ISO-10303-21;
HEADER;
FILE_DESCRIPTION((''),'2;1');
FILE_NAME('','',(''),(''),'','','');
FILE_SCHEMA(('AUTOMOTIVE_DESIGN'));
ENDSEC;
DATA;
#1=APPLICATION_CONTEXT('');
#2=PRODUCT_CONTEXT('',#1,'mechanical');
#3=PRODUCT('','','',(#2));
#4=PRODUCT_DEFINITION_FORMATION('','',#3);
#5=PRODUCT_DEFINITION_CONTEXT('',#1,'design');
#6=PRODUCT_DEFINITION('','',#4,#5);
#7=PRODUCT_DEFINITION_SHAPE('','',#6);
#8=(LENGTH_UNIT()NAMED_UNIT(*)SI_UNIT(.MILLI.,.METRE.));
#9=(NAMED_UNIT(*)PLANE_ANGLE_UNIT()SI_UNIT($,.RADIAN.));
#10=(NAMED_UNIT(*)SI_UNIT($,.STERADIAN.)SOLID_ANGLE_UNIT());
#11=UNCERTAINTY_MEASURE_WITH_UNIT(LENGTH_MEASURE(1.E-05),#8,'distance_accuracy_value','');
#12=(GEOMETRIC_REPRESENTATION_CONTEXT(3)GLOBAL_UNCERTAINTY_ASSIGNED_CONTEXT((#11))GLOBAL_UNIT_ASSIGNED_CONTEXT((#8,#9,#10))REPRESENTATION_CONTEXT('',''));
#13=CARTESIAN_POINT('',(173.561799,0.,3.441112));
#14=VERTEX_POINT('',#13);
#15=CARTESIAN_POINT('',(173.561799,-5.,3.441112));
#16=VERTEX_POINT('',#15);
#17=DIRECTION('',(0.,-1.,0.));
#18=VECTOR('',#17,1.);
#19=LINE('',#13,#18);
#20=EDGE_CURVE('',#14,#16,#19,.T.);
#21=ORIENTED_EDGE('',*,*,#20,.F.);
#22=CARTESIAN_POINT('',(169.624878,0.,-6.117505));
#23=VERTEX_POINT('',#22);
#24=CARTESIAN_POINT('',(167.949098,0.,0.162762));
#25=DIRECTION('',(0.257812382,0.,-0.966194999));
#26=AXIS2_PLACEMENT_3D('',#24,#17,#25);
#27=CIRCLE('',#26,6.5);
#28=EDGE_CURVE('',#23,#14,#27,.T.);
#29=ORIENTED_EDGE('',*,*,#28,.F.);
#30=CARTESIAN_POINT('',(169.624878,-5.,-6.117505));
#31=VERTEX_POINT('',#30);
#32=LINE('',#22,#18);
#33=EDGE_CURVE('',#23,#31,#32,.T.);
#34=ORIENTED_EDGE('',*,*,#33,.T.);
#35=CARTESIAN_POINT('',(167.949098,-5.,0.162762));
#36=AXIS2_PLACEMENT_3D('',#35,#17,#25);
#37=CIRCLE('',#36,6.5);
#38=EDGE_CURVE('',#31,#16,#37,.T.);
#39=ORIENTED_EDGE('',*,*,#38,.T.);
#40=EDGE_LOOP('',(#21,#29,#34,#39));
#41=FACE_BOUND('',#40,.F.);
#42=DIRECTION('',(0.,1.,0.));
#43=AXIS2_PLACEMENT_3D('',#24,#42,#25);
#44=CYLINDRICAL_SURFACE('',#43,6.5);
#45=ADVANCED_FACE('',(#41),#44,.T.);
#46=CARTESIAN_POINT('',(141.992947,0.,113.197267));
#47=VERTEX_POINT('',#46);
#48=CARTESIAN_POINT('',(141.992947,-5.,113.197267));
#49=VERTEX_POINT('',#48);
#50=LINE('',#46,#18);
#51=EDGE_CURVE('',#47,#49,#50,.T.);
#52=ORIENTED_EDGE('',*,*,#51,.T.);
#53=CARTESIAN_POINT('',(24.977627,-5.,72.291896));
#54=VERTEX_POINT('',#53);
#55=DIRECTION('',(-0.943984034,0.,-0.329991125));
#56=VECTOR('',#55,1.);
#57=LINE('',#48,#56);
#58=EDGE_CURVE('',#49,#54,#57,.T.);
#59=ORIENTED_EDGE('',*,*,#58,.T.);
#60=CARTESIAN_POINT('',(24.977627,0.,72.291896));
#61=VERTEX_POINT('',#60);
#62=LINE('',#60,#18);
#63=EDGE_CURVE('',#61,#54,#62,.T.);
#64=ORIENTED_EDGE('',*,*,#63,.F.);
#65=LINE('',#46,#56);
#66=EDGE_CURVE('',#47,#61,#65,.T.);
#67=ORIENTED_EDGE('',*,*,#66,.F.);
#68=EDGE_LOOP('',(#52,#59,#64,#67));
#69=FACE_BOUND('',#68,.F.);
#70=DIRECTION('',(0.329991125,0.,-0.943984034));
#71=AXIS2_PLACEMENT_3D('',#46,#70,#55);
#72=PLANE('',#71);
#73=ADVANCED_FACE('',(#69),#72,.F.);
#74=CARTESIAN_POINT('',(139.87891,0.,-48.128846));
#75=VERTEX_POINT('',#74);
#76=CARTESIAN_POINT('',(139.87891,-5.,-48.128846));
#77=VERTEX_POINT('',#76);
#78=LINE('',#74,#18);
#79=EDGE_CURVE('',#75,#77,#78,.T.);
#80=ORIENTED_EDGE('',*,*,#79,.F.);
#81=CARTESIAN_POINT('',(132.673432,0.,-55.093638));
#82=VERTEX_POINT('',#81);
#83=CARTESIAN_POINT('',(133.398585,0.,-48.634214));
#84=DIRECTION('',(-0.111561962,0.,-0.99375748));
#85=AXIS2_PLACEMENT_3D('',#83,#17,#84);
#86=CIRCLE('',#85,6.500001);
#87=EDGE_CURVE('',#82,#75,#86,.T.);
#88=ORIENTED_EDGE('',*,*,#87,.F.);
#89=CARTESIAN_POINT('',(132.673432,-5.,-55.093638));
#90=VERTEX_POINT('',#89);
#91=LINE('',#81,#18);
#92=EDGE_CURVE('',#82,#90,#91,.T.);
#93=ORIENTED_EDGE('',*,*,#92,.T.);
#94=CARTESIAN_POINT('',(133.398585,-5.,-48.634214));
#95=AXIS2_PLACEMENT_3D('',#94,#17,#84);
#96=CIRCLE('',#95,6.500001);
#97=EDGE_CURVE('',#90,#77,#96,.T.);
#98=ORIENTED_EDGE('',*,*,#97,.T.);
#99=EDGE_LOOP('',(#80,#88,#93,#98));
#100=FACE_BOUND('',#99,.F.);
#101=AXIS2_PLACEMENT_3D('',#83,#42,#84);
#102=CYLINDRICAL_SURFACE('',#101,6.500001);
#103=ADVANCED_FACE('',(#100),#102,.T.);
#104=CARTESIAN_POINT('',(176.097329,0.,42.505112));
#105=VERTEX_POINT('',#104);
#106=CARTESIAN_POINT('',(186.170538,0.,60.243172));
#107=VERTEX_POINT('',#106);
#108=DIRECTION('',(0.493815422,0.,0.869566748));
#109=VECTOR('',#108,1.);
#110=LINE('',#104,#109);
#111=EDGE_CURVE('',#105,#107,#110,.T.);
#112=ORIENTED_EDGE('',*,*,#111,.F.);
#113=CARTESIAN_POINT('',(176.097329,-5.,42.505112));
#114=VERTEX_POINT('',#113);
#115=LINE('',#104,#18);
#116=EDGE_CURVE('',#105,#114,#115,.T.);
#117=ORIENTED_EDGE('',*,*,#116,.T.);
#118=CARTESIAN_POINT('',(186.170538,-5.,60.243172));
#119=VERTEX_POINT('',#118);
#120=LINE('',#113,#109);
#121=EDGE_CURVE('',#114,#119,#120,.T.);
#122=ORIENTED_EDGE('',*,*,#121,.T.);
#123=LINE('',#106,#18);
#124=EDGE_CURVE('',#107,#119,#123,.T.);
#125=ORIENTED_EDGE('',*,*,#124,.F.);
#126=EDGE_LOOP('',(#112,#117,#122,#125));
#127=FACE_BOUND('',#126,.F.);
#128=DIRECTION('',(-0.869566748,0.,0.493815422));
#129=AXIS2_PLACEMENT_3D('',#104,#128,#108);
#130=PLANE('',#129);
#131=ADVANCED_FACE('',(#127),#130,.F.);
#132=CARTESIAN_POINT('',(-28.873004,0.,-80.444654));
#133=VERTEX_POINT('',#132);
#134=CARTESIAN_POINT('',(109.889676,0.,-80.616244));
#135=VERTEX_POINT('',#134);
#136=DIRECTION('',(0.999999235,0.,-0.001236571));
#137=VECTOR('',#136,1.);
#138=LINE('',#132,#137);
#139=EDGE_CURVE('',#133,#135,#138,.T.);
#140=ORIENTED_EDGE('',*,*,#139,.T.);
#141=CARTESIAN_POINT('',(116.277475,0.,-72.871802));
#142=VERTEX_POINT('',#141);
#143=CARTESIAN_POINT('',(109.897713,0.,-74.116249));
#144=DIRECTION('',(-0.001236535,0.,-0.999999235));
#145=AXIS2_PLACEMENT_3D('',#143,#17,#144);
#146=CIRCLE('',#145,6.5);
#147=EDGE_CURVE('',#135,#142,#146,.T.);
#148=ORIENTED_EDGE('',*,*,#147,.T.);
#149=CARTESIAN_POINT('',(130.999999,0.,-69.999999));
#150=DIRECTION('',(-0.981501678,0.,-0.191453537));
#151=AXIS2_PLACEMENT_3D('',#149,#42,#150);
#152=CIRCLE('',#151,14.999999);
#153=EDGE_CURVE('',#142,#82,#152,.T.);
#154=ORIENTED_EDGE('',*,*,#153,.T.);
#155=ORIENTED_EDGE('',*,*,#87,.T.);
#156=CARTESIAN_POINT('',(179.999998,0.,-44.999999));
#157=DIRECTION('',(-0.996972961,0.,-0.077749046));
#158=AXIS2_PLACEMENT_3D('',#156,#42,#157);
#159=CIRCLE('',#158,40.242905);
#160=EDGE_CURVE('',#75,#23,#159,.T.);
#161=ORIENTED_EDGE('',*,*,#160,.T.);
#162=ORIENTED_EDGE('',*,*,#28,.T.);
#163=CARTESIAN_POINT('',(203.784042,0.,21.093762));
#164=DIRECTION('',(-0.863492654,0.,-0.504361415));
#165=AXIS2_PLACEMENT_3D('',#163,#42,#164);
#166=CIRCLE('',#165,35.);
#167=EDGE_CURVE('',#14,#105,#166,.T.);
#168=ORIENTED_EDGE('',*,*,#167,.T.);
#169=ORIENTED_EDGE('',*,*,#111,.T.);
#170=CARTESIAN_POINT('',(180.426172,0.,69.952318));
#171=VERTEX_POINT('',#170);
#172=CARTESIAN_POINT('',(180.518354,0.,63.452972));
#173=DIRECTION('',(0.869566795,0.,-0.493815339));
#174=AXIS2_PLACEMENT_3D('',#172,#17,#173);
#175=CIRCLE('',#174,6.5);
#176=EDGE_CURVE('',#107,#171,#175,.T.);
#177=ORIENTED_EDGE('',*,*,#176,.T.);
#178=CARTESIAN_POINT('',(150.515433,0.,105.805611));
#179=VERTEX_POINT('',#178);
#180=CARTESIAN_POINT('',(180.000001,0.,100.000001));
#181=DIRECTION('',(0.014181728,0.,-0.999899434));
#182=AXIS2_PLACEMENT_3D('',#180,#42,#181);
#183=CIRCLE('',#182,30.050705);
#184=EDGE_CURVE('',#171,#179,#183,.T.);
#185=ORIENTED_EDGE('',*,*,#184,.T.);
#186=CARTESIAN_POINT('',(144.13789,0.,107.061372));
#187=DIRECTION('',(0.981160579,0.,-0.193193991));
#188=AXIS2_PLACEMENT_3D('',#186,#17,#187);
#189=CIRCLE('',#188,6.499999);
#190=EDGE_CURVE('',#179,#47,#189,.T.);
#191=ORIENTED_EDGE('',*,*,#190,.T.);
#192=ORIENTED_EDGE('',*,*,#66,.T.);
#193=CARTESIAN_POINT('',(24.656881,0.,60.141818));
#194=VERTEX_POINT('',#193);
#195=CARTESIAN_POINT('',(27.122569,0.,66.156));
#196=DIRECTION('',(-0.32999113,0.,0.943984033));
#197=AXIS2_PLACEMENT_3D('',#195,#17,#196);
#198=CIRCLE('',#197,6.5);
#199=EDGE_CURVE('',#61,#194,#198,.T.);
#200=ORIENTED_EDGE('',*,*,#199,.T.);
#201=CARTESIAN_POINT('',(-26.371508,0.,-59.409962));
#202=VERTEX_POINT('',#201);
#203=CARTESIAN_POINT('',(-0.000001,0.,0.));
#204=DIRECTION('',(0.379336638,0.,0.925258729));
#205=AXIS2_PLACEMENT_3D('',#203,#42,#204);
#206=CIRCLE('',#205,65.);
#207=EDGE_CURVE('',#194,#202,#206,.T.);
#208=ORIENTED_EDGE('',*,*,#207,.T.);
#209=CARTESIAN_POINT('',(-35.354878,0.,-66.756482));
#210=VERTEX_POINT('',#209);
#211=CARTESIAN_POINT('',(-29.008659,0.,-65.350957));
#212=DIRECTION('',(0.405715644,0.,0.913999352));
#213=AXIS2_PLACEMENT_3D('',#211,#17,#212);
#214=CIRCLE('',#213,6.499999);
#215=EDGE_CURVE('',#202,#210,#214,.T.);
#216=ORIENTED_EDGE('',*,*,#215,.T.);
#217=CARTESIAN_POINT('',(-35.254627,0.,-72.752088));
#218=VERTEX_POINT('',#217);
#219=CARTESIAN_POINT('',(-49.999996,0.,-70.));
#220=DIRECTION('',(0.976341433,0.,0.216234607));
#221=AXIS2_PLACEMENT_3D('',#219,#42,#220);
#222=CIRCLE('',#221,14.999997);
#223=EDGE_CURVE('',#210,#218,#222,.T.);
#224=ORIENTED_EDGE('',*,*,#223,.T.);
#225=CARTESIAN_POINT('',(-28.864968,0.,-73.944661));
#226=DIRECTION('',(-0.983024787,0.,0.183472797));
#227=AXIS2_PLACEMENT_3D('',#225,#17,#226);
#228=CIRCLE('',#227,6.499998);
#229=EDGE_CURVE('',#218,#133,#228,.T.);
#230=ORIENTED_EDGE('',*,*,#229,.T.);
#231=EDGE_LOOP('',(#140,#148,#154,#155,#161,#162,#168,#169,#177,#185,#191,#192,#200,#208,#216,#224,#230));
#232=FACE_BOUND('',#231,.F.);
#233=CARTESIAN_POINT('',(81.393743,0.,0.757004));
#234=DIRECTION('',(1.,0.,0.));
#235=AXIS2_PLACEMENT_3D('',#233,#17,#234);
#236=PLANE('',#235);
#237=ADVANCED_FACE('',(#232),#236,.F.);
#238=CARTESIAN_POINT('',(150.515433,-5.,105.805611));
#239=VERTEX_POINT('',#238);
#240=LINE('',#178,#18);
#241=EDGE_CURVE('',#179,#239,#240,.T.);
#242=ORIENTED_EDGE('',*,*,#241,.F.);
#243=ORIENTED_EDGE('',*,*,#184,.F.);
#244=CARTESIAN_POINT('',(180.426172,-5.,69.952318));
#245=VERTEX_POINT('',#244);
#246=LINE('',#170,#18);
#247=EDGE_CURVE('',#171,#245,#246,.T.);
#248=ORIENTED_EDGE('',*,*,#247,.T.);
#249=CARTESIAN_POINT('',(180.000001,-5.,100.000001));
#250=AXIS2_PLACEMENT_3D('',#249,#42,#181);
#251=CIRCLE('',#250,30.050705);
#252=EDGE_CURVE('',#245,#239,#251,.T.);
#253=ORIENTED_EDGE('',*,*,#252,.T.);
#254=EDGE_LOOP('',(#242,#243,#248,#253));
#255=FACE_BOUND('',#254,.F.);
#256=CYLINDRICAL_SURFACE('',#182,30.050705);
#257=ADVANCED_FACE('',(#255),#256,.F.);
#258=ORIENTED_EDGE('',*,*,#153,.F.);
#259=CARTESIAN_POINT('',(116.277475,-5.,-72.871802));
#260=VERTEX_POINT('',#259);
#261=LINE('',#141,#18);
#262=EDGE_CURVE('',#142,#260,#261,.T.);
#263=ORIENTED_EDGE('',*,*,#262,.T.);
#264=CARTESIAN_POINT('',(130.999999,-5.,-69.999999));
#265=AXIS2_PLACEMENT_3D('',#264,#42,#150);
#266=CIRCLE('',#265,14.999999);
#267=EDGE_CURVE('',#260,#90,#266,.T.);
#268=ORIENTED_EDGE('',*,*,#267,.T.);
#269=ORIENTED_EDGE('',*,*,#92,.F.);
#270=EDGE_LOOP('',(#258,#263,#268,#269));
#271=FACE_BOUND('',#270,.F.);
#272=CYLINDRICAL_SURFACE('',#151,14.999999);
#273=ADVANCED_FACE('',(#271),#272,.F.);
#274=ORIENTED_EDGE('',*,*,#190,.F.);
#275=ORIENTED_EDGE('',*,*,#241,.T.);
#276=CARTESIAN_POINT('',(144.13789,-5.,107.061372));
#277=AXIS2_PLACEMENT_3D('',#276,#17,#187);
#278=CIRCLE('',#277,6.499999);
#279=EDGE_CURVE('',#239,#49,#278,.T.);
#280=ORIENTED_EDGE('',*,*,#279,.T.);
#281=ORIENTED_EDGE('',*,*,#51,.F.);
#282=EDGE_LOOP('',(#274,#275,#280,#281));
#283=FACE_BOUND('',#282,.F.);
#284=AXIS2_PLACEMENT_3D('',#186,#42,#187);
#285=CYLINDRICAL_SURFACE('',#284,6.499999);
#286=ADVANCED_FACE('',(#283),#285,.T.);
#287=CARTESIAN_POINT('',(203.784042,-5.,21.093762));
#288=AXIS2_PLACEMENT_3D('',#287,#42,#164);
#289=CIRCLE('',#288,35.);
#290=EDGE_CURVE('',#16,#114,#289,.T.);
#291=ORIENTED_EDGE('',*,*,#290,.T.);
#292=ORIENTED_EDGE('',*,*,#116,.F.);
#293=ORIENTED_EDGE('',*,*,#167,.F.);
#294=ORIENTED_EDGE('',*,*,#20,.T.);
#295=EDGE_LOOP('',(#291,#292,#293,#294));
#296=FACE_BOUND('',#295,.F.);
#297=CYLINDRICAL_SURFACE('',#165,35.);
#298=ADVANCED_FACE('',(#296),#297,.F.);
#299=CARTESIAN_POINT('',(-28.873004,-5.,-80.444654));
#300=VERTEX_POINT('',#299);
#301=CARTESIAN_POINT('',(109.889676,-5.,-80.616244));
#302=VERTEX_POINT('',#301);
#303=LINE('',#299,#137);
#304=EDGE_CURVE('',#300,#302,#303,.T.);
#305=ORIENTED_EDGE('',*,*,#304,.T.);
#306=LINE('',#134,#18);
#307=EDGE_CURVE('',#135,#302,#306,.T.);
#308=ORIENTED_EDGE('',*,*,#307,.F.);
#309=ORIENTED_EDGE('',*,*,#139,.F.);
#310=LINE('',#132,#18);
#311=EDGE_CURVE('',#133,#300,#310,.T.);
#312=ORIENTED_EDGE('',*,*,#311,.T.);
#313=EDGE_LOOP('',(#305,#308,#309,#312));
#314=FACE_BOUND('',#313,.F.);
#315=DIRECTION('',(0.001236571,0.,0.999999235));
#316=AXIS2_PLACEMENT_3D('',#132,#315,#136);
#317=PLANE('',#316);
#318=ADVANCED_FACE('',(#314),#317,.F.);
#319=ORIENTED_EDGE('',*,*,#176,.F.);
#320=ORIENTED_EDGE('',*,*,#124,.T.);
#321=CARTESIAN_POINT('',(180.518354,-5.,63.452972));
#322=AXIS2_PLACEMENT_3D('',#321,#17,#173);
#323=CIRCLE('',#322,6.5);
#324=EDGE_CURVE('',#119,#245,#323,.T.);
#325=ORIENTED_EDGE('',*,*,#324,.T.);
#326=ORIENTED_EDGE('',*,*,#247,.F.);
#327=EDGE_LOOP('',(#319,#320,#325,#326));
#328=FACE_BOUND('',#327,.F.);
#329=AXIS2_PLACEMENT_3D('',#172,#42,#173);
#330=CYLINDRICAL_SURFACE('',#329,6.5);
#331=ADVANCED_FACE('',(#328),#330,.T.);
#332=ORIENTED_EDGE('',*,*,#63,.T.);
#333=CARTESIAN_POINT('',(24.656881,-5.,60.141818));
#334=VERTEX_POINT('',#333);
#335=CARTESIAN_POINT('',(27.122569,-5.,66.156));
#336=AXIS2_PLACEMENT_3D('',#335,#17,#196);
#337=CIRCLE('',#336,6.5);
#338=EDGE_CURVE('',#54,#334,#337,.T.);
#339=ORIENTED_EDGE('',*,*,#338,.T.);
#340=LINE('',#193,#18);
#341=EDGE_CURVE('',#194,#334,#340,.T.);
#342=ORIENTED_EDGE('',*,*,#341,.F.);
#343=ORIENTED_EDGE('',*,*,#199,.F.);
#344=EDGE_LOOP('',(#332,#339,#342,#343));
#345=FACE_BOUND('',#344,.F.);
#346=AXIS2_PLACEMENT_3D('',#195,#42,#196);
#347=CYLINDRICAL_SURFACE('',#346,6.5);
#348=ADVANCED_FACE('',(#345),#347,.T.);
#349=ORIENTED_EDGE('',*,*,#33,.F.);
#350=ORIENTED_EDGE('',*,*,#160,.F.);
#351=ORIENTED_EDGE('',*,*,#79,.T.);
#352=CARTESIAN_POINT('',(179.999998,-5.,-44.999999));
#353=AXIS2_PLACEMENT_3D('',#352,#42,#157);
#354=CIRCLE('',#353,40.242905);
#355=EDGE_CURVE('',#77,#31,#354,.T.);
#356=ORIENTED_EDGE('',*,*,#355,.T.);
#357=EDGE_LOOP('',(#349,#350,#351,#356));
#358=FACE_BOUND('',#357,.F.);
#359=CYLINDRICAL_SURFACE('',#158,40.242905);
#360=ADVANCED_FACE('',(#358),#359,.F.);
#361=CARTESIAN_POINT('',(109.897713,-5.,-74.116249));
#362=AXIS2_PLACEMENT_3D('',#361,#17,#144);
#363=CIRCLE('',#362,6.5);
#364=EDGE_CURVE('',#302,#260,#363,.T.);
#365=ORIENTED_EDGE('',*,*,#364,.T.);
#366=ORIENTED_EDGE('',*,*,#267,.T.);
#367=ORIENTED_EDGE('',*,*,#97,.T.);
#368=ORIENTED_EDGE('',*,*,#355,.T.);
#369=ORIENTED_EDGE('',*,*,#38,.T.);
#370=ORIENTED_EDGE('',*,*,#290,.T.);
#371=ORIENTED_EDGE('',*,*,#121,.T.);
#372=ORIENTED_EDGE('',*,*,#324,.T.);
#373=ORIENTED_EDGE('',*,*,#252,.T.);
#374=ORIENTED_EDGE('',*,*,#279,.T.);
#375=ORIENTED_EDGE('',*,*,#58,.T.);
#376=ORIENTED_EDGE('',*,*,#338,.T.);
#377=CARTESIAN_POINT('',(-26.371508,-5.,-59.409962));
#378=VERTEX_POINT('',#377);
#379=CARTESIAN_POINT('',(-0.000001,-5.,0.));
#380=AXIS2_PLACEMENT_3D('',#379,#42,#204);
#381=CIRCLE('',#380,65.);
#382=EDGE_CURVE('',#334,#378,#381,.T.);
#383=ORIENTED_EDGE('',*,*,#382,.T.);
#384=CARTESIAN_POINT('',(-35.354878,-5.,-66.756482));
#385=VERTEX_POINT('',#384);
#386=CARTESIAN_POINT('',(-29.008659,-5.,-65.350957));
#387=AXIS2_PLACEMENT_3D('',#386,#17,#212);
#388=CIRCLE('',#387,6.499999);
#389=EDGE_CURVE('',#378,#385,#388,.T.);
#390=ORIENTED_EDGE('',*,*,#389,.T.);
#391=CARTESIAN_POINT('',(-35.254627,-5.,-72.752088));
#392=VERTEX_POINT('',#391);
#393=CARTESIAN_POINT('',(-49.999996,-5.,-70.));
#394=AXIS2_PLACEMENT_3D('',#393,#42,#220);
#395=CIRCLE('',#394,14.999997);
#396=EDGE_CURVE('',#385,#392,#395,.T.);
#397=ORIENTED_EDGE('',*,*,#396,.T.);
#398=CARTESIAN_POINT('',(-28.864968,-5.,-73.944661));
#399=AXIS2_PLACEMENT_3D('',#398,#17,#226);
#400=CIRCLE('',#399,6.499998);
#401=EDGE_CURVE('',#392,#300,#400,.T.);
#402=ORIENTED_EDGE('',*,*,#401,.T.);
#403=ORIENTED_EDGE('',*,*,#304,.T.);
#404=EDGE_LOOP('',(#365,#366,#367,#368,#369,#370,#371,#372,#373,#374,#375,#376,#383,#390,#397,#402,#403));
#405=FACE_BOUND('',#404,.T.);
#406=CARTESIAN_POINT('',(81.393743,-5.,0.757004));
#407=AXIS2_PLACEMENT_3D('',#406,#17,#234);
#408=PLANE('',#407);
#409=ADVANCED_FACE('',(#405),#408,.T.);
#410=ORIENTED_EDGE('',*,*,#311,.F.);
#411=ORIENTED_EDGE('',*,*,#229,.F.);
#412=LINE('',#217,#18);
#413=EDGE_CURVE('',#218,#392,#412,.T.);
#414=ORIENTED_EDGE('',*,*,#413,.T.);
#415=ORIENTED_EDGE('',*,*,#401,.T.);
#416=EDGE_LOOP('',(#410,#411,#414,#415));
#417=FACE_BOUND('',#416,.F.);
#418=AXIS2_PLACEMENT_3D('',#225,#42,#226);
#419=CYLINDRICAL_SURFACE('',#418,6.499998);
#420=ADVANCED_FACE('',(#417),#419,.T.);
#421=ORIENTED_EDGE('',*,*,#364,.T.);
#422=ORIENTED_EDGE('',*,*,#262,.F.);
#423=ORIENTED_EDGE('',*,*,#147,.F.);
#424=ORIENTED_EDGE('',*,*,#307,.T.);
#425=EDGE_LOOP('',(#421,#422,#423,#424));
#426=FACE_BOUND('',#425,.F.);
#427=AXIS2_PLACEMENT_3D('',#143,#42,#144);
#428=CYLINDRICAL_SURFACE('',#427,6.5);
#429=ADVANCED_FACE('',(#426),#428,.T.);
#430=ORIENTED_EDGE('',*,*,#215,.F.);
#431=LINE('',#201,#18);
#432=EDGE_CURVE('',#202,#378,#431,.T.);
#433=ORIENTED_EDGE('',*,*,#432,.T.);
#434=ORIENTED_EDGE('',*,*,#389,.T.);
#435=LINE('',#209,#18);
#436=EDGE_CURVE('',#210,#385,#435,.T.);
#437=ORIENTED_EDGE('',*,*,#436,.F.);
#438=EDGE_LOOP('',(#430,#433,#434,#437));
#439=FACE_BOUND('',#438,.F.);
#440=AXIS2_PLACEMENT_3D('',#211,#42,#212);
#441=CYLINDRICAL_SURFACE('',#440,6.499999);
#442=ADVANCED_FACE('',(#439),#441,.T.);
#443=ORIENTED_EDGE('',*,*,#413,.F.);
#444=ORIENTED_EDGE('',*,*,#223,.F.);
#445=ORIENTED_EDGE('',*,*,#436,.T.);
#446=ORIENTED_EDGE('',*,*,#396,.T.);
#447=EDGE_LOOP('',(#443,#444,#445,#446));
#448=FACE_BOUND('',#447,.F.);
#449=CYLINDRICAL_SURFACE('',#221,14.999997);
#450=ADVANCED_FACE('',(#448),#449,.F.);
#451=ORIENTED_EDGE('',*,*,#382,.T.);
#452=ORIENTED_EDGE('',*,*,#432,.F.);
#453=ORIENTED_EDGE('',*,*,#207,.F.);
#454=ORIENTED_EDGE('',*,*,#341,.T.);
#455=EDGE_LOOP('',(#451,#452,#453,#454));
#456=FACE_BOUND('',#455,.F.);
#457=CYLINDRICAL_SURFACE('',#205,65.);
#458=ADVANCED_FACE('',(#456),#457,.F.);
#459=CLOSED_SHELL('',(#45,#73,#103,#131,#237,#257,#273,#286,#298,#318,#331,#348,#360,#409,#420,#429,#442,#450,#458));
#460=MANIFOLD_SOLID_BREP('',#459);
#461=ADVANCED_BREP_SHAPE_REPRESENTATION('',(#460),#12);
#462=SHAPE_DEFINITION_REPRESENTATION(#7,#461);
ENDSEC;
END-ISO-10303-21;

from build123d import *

# Parameters (mm, degrees)
F1_DEPTH = 5


with BuildPart() as f1:
    # F0 (on Front) → F1 (new body)
    with BuildSketch(Plane.XZ):
        with BuildLine():
            ThreePointArc((180.426172, 69.952318), (156.924857, 80.749479), (150.515433, 105.805611))
            ThreePointArc((150.515433, 105.805611), (148.396748, 111.971781), (141.992947, 113.197267))
            Line((141.992947, 113.197267), (24.977627, 72.291896))
            ThreePointArc((24.977627, 72.291896), (20.624833, 66.327531), (24.656881, 60.141818))
            ThreePointArc((24.656881, 60.141818), (59.782037, -25.516818), (-26.371508, -59.409962))
            ThreePointArc((-26.371508, -59.409962), (-33.123527, -60.319272), (-35.354878, -66.756482))
            ThreePointArc((-35.354878, -66.756482), (-35.002096, -69.749225), (-35.254627, -72.752088))
            ThreePointArc((-35.254627, -72.752088), (-33.867619, -78.094776), (-28.873004, -80.444654))
            Line((-28.873004, -80.444654), (109.889676, -80.616244))
            ThreePointArc((109.889676, -80.616244), (114.912074, -78.252212), (116.277475, -72.871802))
            ThreePointArc((116.277475, -72.871802), (119.973419, -59.830707), (132.673432, -55.093638))
            ThreePointArc((132.673432, -55.093638), (137.91606, -53.307802), (139.87891, -48.128846))
            ThreePointArc((139.87891, -48.128846), (147.156354, -21.745183), (169.624878, -6.117505))
            ThreePointArc((169.624878, -6.117505), (173.959279, -2.31266), (173.561799, 3.441112))
            ThreePointArc((173.561799, 3.441112), (168.857536, 23.360739), (176.097329, 42.505112))
            Line((176.097329, 42.505112), (186.170538, 60.243172))
            ThreePointArc((186.170538, 60.243172), (186.112573, 66.762762), (180.426172, 69.952318))
        make_face()
    extrude(amount=F1_DEPTH)


solid = f1.part
